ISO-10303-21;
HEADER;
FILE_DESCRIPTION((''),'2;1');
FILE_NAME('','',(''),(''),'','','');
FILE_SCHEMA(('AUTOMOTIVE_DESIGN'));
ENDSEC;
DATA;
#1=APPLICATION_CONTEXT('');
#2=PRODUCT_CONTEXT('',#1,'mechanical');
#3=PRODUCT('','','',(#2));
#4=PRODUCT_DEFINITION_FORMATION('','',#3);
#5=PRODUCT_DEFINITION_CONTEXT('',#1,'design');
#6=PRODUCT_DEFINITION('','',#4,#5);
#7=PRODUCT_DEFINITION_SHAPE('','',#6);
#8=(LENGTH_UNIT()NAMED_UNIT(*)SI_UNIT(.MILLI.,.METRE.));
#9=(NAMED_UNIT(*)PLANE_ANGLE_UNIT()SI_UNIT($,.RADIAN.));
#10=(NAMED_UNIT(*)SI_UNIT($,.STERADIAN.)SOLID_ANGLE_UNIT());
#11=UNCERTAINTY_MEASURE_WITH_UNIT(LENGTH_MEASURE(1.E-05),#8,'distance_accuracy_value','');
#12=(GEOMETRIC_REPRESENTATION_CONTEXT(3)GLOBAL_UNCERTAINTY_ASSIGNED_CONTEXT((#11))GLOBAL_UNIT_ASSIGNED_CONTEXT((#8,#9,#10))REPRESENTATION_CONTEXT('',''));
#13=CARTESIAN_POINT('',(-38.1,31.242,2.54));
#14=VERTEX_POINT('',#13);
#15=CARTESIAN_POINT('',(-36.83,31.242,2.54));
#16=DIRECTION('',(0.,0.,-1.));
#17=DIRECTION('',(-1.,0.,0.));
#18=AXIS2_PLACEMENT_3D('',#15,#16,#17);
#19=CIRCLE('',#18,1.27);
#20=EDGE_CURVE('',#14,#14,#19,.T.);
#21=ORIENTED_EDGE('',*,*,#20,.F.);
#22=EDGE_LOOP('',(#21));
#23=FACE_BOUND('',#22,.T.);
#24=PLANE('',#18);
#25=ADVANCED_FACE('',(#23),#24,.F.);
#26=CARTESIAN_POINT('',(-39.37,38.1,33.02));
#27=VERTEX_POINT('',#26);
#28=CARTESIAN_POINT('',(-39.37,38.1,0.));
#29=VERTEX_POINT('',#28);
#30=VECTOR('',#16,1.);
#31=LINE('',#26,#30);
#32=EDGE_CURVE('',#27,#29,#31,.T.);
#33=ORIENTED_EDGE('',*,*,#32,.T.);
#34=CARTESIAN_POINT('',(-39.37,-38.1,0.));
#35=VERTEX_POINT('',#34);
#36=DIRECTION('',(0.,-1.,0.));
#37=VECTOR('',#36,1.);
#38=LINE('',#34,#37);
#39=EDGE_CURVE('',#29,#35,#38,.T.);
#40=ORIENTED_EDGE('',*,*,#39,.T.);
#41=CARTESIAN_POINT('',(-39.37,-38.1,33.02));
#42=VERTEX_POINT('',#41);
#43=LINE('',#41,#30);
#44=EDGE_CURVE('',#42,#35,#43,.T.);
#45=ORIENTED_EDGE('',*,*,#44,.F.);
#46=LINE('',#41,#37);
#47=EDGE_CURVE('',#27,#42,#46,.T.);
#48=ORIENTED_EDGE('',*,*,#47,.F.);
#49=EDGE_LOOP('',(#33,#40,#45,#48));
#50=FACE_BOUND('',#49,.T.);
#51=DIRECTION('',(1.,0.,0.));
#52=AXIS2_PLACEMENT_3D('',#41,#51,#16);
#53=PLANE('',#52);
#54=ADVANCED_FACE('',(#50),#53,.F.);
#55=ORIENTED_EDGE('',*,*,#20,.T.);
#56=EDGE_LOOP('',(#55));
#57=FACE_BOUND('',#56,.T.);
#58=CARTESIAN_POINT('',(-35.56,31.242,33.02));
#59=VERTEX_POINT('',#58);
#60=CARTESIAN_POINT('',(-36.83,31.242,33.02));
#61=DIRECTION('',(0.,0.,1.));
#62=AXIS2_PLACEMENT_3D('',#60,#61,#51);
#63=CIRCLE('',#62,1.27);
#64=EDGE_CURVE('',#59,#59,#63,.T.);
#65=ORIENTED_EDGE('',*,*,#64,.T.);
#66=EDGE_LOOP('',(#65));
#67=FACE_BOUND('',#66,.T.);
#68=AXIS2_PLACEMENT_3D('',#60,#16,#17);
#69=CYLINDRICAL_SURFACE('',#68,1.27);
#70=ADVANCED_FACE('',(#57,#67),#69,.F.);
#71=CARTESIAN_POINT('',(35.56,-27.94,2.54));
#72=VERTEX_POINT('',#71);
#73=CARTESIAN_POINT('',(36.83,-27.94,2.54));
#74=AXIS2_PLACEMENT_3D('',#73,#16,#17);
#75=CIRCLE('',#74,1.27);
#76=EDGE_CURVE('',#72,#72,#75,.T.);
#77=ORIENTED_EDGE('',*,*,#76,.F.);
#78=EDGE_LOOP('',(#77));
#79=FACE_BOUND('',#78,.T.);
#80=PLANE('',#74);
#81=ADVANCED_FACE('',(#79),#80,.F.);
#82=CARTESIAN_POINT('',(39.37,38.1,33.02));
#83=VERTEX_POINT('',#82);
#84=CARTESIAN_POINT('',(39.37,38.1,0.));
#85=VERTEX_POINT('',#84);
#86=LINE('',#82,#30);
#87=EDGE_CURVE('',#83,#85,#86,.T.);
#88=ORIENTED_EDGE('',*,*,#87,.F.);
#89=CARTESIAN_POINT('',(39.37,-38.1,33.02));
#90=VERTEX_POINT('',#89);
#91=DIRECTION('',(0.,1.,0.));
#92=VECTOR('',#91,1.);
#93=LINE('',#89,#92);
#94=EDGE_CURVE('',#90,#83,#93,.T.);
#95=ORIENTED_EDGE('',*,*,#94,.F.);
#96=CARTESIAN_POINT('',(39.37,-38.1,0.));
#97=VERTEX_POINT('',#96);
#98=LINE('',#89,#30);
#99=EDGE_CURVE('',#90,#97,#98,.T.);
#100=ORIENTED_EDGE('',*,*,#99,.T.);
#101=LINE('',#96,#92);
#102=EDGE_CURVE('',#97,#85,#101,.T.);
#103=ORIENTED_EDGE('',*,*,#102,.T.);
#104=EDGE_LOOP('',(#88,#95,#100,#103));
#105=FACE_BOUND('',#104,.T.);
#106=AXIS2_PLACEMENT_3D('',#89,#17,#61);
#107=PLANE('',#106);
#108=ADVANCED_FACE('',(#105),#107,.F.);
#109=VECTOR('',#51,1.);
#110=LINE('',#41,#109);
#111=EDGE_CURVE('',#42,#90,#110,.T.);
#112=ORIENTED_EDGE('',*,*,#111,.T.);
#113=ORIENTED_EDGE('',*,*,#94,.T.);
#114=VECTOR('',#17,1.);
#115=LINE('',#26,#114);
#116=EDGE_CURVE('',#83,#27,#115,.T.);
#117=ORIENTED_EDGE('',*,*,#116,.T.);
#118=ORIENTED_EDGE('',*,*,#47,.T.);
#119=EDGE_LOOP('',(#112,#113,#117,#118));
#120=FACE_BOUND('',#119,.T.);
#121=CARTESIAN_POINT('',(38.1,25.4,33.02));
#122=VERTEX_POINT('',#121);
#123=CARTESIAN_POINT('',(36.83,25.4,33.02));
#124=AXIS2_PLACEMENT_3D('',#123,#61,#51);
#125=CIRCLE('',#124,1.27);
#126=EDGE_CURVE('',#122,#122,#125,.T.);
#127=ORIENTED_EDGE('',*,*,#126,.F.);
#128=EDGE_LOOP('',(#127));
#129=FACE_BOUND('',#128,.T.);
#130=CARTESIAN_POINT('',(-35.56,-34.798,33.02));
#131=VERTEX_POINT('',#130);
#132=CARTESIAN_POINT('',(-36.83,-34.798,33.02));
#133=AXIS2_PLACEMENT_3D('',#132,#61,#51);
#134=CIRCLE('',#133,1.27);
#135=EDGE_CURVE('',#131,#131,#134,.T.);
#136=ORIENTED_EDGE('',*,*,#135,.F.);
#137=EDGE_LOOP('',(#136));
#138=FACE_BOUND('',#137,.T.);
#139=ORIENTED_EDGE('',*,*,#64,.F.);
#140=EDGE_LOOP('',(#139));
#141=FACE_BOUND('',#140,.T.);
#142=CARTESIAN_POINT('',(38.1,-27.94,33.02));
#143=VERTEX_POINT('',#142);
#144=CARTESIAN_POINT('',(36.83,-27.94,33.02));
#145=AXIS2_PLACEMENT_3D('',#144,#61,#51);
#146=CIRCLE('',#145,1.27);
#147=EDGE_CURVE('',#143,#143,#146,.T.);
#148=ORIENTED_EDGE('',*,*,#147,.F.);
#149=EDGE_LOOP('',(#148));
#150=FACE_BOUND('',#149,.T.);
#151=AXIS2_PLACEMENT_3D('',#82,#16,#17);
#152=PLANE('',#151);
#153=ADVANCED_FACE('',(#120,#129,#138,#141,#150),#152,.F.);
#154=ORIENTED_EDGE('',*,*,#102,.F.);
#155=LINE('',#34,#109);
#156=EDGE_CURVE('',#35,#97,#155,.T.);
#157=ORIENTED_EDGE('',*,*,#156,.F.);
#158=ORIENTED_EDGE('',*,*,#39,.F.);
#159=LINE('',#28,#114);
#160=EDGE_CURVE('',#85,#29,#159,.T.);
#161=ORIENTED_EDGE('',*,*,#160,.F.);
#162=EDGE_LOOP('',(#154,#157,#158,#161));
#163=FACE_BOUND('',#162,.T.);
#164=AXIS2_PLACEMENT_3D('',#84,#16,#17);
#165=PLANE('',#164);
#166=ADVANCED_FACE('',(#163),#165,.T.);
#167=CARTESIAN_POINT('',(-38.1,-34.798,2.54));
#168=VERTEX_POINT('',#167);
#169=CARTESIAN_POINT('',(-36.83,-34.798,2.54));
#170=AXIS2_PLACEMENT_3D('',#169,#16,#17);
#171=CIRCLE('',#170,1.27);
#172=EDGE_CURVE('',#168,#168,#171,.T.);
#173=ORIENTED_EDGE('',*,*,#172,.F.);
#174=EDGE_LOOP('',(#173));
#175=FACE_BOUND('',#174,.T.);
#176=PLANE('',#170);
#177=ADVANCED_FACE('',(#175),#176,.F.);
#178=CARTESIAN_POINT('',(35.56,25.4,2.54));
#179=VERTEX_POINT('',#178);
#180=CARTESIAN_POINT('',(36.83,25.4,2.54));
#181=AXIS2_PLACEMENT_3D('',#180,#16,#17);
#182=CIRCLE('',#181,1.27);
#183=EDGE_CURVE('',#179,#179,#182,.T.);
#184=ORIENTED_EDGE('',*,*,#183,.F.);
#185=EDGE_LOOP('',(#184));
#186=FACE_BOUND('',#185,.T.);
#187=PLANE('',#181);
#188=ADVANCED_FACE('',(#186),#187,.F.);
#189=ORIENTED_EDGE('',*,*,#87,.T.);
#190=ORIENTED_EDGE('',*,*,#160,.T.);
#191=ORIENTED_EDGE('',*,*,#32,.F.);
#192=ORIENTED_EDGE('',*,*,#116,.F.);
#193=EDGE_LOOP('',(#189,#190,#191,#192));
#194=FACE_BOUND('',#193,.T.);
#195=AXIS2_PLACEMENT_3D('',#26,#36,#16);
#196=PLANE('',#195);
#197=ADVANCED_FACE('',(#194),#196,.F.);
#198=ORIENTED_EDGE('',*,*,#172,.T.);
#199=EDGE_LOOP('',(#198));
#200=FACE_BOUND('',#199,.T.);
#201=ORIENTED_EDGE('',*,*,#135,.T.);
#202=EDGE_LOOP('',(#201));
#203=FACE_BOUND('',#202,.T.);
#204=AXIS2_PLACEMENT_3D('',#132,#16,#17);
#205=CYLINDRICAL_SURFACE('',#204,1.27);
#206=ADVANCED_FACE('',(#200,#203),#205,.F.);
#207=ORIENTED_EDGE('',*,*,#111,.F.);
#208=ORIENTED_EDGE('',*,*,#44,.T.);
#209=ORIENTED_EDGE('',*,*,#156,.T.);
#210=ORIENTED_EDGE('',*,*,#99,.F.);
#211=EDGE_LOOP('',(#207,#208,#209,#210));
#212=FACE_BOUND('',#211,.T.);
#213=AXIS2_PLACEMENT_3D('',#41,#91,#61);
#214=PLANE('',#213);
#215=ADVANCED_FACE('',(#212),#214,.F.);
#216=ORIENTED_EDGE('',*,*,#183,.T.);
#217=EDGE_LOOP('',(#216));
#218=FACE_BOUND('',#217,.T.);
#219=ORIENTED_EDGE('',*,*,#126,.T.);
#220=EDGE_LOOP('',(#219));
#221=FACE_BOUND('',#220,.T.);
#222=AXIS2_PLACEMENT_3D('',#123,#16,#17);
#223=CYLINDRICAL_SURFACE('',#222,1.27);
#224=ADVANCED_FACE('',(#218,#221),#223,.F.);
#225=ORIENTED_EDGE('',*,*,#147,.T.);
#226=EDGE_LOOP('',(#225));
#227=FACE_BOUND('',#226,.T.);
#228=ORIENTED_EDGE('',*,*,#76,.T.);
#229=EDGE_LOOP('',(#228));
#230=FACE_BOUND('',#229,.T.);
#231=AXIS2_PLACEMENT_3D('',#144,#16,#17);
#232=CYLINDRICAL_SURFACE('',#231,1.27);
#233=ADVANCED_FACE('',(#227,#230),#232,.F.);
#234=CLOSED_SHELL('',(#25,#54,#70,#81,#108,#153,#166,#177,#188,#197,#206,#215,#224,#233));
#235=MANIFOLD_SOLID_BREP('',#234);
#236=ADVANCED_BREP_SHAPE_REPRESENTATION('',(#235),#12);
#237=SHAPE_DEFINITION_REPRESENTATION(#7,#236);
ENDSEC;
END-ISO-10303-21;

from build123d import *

# Parameters (mm, degrees)
SKETCH1_W           = 78.74
SKETCH1_H           = 76.2
SKETCH1_R           = 1.27
BOSS_EXTRUDE1_DEPTH = 33.02
SKETCH2_R           = 1.27
BOSS_EXTRUDE2_DEPTH = 2.54
SKETCH3_R           = 1.27
BOSS_EXTRUDE3_DEPTH = 2.54


with BuildPart() as part:
    # Sketch1 → Boss-Extrude1 (new body)
    with BuildSketch(Plane.XY):
        Rectangle(SKETCH1_W, SKETCH1_H)
        with Locations((36.83, 25.4)):
            Circle(SKETCH1_R, mode=Mode.SUBTRACT)
        with Locations((36.83, -27.94)):
            Circle(SKETCH1_R, mode=Mode.SUBTRACT)
        with Locations((-36.83, 31.242)):
            Circle(SKETCH1_R, mode=Mode.SUBTRACT)
        with Locations((-36.83, -34.798)):
            Circle(SKETCH1_R, mode=Mode.SUBTRACT)
    extrude(amount=BOSS_EXTRUDE1_DEPTH)

    # Sketch2 → Boss-Extrude2 (add)
    with BuildSketch(Plane(origin=(0, 0, 0), x_dir=(-1, 0, 0), z_dir=(0, 0, -1))):
        with Locations((-36.83, 25.4)):
            Circle(SKETCH2_R)
    extrude(amount=-BOSS_EXTRUDE2_DEPTH)

    # Sketch3 → Boss-Extrude3 (add)
    with BuildSketch(Plane(origin=(0, 0, 0), x_dir=(-1, 0, 0), z_dir=(0, 0, -1))):
        with Locations((36.83, 31.242)):
            Circle(SKETCH3_R)
        with Locations((36.83, -34.798)):
            Circle(SKETCH3_R)
        with Locations((-36.83, -27.94)):
            Circle(SKETCH3_R)
    extrude(amount=-BOSS_EXTRUDE3_DEPTH)


solid = part.part
